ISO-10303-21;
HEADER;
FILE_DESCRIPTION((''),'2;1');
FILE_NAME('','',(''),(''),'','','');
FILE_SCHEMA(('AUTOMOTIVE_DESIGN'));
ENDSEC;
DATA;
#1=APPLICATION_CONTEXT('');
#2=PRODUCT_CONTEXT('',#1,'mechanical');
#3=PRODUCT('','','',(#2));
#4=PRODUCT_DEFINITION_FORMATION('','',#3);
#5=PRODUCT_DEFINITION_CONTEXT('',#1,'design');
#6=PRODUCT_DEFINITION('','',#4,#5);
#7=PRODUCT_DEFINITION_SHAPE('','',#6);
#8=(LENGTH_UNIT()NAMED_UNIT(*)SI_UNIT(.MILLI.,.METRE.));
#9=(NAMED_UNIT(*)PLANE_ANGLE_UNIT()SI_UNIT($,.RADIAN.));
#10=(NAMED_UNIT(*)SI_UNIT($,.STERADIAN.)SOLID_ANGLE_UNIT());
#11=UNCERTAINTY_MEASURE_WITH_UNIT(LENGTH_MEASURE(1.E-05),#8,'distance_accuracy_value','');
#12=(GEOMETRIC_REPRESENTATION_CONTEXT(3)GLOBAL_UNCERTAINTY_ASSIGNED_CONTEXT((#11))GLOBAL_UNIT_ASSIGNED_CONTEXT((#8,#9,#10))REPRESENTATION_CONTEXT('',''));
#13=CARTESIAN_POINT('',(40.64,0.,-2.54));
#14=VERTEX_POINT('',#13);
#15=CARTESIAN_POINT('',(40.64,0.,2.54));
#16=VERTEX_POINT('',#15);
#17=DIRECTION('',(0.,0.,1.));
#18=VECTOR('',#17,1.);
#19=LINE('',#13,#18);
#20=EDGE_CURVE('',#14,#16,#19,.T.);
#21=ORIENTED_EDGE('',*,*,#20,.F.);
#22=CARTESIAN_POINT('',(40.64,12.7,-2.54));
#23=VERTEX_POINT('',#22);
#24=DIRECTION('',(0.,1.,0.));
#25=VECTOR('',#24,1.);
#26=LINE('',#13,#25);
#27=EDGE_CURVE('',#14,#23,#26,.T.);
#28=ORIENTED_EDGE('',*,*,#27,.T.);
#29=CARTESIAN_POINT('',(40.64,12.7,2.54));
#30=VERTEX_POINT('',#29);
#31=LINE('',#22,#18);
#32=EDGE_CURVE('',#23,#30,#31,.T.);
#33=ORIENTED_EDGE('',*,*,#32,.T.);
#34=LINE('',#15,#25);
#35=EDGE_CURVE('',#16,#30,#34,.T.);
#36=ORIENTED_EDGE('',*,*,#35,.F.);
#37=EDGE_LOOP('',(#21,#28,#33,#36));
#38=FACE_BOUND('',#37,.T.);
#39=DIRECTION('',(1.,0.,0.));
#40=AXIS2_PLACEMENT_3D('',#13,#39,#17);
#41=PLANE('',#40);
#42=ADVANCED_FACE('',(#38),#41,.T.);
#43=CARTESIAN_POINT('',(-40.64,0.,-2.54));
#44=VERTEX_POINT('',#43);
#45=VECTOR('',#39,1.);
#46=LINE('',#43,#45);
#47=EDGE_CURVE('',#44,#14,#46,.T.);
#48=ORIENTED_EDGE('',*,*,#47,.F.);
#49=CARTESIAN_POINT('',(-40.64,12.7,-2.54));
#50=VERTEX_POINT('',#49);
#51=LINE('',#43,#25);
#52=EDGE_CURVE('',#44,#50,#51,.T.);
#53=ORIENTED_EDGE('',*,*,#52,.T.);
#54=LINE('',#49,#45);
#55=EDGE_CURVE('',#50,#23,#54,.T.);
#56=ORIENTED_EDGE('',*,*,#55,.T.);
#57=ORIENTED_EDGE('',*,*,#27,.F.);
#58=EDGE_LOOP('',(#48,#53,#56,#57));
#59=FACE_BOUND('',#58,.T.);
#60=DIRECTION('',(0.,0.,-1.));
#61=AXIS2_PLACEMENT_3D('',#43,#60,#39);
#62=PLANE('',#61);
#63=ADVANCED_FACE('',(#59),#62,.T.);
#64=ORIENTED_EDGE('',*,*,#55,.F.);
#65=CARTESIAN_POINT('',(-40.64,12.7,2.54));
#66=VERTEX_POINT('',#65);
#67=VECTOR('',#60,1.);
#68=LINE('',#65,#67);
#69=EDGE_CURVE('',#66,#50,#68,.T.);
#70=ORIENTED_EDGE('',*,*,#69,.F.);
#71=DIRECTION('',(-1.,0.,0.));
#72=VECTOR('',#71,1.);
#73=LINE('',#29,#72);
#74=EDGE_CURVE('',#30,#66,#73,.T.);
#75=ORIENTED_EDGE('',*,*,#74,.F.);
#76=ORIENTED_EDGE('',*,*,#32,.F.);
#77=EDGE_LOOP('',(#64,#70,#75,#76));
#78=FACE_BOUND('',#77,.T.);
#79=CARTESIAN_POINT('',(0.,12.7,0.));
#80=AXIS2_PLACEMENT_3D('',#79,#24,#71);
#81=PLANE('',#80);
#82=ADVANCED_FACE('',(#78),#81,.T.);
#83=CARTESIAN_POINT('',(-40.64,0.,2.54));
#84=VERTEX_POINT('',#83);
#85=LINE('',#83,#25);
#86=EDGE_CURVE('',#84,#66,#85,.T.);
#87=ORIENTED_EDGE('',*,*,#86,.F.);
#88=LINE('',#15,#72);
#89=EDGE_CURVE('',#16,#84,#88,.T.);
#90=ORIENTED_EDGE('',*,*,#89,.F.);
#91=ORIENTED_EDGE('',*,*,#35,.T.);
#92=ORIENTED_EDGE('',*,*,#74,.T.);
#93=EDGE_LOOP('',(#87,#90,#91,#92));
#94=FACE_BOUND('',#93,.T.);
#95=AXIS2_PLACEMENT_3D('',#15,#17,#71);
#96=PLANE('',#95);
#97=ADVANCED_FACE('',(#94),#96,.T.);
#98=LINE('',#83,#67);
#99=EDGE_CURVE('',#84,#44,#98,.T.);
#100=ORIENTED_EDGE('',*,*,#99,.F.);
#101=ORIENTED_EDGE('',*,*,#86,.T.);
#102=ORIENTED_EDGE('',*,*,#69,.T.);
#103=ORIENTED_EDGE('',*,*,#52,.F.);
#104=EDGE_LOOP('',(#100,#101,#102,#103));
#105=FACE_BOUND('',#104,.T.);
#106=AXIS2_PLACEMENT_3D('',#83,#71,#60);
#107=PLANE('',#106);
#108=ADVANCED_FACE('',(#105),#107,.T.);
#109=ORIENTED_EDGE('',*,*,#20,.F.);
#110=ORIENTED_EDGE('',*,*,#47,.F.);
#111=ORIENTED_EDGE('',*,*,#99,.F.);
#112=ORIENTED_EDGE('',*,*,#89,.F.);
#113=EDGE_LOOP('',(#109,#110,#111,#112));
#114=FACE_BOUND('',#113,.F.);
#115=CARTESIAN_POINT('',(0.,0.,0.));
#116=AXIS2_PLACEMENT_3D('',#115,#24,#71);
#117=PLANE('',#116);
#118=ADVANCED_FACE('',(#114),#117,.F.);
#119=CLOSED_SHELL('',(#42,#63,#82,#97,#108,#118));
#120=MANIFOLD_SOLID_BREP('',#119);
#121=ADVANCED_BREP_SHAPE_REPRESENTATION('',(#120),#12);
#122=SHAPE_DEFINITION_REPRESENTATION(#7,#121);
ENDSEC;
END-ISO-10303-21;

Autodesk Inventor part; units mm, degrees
ref_plane "YZ Plane" through (0, 0, 0) normal (1, 0, 0) x (0, 1, 0)
ref_plane "XZ Plane" through (0, 0, 0) normal (0, 1, 0) x (-1, 0, 0)
ref_plane "XY Plane" through (0, 0, 0) normal (0, 0, 1) x (1, 0, 0)
sketch "Náčrt1" plane through (0, 0, 0) normal (0, 1, 0) x (-1, 0, 0)
  line L0 (-40.64, 2.54) -> (40.64, 2.54)
  line L1 (40.64, 2.54) -> (40.64, -2.54)
  line L2 (40.64, -2.54) -> (-40.64, -2.54)
  line L3 (-40.64, -2.54) -> (-40.64, 2.54)
  line L4 (-40.64, 2.54) -> (40.64, -2.54) construction
  line L5 (40.64, 2.54) -> (-40.64, -2.54) construction
  point P0 (0, 0)
  dimension "d0" = 81.28
  dimension "d1" = 5.08
extrude "Vysunutí1" add sketch "Náčrt1" along normal blind 12.7
equation "\"d2\" = gPinHeaderHeight + gPcbThickness"
equation "\"thickness\" = 2.54"
equation "\"gPinHeaderHeight\" = 10.16"
equation "\"gPcbThickness\" = 2.54"
properties part number "PinHeader-Female(LowPoly)"
